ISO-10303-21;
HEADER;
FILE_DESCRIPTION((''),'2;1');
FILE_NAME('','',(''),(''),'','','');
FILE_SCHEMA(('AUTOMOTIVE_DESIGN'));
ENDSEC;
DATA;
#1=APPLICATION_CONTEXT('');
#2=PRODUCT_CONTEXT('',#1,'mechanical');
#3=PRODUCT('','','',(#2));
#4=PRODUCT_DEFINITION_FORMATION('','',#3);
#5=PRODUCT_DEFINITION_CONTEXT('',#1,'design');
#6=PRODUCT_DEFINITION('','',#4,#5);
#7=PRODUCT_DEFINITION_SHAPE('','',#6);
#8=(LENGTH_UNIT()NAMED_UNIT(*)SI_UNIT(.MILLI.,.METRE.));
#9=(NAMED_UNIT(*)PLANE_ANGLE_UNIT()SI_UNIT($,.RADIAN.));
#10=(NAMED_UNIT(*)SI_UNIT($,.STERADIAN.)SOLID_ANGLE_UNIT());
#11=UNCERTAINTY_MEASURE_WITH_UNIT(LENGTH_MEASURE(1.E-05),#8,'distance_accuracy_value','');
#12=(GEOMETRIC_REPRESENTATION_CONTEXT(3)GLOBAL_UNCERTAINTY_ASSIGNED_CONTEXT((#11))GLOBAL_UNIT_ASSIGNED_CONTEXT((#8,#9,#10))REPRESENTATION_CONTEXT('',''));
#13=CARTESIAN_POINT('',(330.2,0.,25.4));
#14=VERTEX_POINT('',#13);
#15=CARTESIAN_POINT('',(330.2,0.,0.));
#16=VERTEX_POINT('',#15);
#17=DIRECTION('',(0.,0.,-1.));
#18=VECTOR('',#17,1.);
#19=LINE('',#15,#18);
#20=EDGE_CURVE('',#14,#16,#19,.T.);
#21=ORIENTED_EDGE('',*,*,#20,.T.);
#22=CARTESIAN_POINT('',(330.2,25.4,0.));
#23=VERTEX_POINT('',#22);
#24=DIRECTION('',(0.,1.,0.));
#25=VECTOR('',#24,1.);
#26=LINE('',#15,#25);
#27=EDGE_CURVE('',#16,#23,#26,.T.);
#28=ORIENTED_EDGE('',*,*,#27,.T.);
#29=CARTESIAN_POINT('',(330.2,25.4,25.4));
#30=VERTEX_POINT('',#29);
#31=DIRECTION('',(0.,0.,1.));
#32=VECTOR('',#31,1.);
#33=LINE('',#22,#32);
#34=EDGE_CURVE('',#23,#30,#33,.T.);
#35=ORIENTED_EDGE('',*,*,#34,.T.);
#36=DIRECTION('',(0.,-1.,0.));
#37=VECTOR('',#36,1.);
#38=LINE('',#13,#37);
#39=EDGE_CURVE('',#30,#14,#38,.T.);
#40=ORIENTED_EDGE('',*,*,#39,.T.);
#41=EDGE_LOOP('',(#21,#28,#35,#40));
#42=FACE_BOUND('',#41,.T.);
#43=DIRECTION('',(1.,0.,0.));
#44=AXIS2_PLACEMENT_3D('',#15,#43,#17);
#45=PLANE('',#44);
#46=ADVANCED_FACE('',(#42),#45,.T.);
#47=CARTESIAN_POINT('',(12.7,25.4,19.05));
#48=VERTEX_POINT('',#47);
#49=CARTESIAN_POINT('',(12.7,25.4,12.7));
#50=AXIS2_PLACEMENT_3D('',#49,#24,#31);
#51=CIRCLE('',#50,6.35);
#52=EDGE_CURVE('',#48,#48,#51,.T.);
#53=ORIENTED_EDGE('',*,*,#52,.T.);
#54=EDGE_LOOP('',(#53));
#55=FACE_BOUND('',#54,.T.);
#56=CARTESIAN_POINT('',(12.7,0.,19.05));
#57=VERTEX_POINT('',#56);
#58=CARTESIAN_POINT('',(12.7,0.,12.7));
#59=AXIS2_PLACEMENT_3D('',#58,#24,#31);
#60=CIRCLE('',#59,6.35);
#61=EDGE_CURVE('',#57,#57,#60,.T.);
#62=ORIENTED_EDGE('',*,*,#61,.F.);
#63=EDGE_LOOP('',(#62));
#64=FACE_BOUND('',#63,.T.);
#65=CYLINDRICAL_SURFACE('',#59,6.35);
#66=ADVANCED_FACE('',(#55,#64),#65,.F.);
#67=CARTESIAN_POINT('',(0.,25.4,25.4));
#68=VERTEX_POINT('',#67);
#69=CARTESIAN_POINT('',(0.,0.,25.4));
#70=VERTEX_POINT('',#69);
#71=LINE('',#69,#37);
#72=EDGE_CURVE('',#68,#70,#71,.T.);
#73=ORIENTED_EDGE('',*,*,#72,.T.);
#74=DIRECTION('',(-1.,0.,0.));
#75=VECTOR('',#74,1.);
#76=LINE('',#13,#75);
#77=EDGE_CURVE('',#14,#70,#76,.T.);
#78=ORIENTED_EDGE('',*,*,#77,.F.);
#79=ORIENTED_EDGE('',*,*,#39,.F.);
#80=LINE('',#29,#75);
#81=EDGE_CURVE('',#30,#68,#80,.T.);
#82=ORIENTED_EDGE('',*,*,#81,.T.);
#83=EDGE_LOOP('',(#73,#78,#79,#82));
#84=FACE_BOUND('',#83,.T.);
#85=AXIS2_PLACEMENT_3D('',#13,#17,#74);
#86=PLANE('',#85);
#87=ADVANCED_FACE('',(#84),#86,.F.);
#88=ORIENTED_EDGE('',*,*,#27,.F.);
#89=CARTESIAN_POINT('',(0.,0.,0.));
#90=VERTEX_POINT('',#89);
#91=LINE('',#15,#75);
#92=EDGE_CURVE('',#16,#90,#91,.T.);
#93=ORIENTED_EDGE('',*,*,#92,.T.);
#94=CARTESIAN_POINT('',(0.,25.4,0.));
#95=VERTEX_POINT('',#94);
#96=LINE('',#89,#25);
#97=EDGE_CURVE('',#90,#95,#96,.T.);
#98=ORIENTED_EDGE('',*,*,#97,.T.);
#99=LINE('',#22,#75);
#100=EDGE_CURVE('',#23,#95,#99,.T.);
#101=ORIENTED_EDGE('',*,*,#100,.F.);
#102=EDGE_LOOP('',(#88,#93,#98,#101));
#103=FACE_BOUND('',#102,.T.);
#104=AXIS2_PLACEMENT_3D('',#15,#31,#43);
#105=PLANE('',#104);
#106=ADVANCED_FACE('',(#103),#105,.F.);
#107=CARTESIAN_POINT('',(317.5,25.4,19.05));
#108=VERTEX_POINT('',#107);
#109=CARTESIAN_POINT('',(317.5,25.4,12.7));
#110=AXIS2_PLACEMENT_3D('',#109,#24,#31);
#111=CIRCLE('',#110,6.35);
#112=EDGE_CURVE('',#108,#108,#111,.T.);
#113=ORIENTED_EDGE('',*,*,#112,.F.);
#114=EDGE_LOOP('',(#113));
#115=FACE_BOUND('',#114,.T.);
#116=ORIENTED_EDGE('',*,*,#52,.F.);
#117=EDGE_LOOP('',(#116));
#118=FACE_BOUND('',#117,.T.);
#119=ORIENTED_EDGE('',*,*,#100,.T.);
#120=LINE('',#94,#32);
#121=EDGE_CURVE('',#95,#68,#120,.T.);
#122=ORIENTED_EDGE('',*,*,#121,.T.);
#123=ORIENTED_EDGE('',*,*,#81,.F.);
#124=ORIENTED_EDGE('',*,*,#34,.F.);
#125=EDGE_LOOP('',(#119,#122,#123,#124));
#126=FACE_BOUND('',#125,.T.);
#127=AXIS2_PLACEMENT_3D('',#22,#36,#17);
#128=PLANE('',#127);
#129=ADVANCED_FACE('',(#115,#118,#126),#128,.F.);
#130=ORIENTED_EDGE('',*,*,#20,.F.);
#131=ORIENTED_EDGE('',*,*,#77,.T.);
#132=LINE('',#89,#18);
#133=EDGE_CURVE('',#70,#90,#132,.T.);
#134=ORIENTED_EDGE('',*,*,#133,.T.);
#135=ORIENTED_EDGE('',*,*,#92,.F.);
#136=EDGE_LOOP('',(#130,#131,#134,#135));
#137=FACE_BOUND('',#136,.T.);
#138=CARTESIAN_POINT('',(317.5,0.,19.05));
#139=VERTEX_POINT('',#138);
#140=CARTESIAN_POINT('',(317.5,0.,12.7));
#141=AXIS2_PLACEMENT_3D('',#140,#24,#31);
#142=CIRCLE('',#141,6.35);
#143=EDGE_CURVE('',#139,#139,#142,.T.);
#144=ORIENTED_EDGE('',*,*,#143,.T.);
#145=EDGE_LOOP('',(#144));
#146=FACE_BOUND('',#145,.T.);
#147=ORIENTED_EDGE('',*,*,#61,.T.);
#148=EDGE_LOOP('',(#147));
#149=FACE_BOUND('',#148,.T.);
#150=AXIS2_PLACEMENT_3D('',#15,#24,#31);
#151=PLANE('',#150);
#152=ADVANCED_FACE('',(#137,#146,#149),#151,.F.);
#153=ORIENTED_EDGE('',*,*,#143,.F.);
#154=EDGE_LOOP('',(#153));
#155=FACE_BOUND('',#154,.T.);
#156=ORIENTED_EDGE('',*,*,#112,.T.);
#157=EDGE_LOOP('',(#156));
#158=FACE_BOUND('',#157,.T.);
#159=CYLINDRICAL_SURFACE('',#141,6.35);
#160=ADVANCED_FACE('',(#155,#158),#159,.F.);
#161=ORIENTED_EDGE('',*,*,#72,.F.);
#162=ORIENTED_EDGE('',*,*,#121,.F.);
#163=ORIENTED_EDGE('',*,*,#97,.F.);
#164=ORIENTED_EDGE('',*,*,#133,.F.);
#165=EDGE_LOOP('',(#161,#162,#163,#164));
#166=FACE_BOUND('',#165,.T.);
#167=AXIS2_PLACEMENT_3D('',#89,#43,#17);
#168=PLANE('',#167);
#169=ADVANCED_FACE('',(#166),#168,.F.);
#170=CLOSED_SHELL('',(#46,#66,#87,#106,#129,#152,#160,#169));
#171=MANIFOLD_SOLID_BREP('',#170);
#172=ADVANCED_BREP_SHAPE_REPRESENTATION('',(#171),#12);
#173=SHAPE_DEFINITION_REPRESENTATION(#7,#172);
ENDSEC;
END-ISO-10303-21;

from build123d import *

# Parameters (mm, degrees)
SKETCH1_W           = 25.4
SKETCH1_H           = 25.4
BOSS_EXTRUDE1_DEPTH = 330.2
SKETCH2_R           = 6.35
CUT_EXTRUDE1_DEPTH  = 26.4


with BuildPart() as part:
    # Sketch1 → Boss-Extrude1 (new body)
    with BuildSketch(Plane(origin=(0, 0, 0), x_dir=(0, 0, -1), z_dir=(1, 0, 0))):
        with Locations((-12.7, 12.7)):
            Rectangle(SKETCH1_W, SKETCH1_H)
    extrude(amount=BOSS_EXTRUDE1_DEPTH)

    # Sketch2 → Cut-Extrude1 (cut, through all)
    with BuildSketch(Plane(origin=(0, 25.4, 0), x_dir=(1, 0, 0), z_dir=(0, 1, 0))):
        with Locations((317.5, -12.7)):
            Circle(SKETCH2_R)
        with Locations((12.7, -12.7)):
            Circle(SKETCH2_R)
    extrude(amount=-CUT_EXTRUDE1_DEPTH, mode=Mode.SUBTRACT)


solid = part.part
